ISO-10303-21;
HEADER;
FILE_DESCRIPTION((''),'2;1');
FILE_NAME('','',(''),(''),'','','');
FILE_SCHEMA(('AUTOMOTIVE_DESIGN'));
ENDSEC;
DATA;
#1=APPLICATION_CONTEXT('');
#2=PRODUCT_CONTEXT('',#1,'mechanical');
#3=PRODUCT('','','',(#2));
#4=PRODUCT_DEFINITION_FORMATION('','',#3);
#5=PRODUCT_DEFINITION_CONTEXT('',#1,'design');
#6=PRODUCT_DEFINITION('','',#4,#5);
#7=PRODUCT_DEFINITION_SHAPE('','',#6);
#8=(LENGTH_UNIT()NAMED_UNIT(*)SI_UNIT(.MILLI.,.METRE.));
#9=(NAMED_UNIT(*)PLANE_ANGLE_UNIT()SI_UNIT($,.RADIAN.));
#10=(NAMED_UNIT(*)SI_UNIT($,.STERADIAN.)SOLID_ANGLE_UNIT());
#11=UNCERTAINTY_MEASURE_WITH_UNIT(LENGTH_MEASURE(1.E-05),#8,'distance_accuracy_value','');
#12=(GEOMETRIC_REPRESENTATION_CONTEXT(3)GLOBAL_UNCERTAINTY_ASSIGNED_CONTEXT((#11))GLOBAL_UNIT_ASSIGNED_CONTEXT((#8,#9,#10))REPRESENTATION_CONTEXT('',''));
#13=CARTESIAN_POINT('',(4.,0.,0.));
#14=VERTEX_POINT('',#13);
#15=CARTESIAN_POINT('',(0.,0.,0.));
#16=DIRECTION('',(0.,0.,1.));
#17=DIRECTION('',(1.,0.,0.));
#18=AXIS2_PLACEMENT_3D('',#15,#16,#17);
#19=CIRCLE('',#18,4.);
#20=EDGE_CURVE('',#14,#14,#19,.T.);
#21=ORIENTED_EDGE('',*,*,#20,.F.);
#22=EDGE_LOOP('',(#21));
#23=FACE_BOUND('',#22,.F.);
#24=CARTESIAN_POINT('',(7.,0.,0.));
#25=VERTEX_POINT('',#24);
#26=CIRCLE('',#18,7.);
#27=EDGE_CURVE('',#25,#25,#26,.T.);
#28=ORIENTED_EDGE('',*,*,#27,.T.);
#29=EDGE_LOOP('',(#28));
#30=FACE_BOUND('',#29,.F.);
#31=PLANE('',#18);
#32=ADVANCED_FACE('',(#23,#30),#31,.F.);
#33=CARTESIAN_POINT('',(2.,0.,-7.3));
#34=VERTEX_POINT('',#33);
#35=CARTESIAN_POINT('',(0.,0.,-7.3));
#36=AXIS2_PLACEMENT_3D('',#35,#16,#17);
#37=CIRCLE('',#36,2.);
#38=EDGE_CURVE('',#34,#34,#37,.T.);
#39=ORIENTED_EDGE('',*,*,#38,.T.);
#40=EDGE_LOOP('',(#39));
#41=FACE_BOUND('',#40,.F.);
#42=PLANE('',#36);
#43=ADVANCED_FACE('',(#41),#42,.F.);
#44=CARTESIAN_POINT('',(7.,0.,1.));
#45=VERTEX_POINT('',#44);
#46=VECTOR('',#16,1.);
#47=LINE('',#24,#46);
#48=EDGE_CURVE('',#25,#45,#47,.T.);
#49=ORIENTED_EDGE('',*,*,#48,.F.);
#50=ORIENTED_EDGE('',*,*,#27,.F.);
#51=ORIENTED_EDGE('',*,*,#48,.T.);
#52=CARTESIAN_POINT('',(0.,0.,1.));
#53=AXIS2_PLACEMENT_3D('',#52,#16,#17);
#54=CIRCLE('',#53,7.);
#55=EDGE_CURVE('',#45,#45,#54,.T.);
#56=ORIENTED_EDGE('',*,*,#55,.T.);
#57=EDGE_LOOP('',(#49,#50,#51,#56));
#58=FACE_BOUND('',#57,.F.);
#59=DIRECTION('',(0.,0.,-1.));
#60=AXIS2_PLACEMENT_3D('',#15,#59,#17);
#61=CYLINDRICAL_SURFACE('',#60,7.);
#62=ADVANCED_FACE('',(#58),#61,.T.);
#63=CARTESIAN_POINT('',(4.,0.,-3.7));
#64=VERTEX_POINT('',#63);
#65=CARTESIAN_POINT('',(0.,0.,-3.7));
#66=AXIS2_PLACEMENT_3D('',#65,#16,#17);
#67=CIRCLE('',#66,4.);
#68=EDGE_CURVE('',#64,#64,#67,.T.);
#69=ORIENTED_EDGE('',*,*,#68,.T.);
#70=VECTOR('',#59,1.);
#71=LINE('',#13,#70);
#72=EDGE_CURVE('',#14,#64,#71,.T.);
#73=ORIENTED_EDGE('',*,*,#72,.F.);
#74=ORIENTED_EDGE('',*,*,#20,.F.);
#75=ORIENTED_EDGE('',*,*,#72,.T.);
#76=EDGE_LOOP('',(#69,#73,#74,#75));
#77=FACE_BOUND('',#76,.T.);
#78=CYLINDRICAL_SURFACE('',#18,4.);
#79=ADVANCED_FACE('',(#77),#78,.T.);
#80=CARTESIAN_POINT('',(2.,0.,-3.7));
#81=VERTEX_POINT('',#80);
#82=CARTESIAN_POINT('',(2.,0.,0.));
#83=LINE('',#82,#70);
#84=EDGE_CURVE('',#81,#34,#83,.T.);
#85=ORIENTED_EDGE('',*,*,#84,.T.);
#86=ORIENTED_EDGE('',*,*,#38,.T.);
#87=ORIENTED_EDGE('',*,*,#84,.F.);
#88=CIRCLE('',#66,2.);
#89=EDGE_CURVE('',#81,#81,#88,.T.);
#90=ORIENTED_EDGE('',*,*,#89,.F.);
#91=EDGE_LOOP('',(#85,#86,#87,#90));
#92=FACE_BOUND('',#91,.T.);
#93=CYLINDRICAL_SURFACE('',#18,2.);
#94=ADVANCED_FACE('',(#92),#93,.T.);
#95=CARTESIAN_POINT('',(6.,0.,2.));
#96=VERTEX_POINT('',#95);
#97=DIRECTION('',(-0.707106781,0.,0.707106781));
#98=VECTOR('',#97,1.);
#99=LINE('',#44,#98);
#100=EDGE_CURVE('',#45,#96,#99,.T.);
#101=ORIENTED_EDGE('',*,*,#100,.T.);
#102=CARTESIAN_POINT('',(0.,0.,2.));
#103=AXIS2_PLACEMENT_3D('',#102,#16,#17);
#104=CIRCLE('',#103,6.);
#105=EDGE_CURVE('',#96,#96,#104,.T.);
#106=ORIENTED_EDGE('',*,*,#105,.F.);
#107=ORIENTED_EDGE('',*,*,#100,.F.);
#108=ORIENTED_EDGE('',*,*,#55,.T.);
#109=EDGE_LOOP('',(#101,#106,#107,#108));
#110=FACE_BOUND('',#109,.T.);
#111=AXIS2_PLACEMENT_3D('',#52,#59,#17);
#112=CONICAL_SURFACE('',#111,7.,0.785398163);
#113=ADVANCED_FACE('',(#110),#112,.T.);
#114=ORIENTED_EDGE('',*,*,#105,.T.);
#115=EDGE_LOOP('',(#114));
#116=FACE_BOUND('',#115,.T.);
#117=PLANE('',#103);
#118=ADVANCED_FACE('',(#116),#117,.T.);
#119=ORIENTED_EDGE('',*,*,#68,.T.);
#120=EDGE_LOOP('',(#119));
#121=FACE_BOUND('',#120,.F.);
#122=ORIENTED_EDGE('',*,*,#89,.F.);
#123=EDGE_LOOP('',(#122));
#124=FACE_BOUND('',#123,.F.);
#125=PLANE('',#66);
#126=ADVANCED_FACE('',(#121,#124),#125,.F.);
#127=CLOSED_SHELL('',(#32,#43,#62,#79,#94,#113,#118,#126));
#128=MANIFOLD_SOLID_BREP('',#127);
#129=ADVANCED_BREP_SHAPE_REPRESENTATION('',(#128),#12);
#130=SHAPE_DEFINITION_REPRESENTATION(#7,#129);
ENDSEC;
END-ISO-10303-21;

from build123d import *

# Parameters (mm, degrees)
F0_R     = 7
F0_R_2   = 4
F0_R_3   = 2
F1_DEPTH = 2
F2_SIZE  = 1
F3_DEPTH = 7.3
F4_DEPTH = 3.7


with BuildPart() as f1:
    # F0 (on Top) → F1 (new body)
    with BuildSketch(Plane.XY):
        Circle(F0_R)
        Circle(F0_R_2, mode=Mode.SUBTRACT)
        Circle(F0_R_2)
        Circle(F0_R_3, mode=Mode.SUBTRACT)
        Circle(F0_R_3)
    extrude(amount=F1_DEPTH)

    # F2
    f2_edges = [f1.edges().sort_by_distance(p)[0] for p in [
        (-7, 0, 2),
    ]]
    chamfer(f2_edges, length=F2_SIZE)

    # F0 (on Top) → F3 (join)
    with BuildSketch(Plane.XY):
        Circle(F0_R_3)
    extrude(amount=-F3_DEPTH)

    # F0 (on Top) → F4 (join)
    with BuildSketch(Plane.XY):
        Circle(F0_R_2)
        Circle(F0_R_3, mode=Mode.SUBTRACT)
    extrude(amount=-F4_DEPTH)


solid = f1.part
